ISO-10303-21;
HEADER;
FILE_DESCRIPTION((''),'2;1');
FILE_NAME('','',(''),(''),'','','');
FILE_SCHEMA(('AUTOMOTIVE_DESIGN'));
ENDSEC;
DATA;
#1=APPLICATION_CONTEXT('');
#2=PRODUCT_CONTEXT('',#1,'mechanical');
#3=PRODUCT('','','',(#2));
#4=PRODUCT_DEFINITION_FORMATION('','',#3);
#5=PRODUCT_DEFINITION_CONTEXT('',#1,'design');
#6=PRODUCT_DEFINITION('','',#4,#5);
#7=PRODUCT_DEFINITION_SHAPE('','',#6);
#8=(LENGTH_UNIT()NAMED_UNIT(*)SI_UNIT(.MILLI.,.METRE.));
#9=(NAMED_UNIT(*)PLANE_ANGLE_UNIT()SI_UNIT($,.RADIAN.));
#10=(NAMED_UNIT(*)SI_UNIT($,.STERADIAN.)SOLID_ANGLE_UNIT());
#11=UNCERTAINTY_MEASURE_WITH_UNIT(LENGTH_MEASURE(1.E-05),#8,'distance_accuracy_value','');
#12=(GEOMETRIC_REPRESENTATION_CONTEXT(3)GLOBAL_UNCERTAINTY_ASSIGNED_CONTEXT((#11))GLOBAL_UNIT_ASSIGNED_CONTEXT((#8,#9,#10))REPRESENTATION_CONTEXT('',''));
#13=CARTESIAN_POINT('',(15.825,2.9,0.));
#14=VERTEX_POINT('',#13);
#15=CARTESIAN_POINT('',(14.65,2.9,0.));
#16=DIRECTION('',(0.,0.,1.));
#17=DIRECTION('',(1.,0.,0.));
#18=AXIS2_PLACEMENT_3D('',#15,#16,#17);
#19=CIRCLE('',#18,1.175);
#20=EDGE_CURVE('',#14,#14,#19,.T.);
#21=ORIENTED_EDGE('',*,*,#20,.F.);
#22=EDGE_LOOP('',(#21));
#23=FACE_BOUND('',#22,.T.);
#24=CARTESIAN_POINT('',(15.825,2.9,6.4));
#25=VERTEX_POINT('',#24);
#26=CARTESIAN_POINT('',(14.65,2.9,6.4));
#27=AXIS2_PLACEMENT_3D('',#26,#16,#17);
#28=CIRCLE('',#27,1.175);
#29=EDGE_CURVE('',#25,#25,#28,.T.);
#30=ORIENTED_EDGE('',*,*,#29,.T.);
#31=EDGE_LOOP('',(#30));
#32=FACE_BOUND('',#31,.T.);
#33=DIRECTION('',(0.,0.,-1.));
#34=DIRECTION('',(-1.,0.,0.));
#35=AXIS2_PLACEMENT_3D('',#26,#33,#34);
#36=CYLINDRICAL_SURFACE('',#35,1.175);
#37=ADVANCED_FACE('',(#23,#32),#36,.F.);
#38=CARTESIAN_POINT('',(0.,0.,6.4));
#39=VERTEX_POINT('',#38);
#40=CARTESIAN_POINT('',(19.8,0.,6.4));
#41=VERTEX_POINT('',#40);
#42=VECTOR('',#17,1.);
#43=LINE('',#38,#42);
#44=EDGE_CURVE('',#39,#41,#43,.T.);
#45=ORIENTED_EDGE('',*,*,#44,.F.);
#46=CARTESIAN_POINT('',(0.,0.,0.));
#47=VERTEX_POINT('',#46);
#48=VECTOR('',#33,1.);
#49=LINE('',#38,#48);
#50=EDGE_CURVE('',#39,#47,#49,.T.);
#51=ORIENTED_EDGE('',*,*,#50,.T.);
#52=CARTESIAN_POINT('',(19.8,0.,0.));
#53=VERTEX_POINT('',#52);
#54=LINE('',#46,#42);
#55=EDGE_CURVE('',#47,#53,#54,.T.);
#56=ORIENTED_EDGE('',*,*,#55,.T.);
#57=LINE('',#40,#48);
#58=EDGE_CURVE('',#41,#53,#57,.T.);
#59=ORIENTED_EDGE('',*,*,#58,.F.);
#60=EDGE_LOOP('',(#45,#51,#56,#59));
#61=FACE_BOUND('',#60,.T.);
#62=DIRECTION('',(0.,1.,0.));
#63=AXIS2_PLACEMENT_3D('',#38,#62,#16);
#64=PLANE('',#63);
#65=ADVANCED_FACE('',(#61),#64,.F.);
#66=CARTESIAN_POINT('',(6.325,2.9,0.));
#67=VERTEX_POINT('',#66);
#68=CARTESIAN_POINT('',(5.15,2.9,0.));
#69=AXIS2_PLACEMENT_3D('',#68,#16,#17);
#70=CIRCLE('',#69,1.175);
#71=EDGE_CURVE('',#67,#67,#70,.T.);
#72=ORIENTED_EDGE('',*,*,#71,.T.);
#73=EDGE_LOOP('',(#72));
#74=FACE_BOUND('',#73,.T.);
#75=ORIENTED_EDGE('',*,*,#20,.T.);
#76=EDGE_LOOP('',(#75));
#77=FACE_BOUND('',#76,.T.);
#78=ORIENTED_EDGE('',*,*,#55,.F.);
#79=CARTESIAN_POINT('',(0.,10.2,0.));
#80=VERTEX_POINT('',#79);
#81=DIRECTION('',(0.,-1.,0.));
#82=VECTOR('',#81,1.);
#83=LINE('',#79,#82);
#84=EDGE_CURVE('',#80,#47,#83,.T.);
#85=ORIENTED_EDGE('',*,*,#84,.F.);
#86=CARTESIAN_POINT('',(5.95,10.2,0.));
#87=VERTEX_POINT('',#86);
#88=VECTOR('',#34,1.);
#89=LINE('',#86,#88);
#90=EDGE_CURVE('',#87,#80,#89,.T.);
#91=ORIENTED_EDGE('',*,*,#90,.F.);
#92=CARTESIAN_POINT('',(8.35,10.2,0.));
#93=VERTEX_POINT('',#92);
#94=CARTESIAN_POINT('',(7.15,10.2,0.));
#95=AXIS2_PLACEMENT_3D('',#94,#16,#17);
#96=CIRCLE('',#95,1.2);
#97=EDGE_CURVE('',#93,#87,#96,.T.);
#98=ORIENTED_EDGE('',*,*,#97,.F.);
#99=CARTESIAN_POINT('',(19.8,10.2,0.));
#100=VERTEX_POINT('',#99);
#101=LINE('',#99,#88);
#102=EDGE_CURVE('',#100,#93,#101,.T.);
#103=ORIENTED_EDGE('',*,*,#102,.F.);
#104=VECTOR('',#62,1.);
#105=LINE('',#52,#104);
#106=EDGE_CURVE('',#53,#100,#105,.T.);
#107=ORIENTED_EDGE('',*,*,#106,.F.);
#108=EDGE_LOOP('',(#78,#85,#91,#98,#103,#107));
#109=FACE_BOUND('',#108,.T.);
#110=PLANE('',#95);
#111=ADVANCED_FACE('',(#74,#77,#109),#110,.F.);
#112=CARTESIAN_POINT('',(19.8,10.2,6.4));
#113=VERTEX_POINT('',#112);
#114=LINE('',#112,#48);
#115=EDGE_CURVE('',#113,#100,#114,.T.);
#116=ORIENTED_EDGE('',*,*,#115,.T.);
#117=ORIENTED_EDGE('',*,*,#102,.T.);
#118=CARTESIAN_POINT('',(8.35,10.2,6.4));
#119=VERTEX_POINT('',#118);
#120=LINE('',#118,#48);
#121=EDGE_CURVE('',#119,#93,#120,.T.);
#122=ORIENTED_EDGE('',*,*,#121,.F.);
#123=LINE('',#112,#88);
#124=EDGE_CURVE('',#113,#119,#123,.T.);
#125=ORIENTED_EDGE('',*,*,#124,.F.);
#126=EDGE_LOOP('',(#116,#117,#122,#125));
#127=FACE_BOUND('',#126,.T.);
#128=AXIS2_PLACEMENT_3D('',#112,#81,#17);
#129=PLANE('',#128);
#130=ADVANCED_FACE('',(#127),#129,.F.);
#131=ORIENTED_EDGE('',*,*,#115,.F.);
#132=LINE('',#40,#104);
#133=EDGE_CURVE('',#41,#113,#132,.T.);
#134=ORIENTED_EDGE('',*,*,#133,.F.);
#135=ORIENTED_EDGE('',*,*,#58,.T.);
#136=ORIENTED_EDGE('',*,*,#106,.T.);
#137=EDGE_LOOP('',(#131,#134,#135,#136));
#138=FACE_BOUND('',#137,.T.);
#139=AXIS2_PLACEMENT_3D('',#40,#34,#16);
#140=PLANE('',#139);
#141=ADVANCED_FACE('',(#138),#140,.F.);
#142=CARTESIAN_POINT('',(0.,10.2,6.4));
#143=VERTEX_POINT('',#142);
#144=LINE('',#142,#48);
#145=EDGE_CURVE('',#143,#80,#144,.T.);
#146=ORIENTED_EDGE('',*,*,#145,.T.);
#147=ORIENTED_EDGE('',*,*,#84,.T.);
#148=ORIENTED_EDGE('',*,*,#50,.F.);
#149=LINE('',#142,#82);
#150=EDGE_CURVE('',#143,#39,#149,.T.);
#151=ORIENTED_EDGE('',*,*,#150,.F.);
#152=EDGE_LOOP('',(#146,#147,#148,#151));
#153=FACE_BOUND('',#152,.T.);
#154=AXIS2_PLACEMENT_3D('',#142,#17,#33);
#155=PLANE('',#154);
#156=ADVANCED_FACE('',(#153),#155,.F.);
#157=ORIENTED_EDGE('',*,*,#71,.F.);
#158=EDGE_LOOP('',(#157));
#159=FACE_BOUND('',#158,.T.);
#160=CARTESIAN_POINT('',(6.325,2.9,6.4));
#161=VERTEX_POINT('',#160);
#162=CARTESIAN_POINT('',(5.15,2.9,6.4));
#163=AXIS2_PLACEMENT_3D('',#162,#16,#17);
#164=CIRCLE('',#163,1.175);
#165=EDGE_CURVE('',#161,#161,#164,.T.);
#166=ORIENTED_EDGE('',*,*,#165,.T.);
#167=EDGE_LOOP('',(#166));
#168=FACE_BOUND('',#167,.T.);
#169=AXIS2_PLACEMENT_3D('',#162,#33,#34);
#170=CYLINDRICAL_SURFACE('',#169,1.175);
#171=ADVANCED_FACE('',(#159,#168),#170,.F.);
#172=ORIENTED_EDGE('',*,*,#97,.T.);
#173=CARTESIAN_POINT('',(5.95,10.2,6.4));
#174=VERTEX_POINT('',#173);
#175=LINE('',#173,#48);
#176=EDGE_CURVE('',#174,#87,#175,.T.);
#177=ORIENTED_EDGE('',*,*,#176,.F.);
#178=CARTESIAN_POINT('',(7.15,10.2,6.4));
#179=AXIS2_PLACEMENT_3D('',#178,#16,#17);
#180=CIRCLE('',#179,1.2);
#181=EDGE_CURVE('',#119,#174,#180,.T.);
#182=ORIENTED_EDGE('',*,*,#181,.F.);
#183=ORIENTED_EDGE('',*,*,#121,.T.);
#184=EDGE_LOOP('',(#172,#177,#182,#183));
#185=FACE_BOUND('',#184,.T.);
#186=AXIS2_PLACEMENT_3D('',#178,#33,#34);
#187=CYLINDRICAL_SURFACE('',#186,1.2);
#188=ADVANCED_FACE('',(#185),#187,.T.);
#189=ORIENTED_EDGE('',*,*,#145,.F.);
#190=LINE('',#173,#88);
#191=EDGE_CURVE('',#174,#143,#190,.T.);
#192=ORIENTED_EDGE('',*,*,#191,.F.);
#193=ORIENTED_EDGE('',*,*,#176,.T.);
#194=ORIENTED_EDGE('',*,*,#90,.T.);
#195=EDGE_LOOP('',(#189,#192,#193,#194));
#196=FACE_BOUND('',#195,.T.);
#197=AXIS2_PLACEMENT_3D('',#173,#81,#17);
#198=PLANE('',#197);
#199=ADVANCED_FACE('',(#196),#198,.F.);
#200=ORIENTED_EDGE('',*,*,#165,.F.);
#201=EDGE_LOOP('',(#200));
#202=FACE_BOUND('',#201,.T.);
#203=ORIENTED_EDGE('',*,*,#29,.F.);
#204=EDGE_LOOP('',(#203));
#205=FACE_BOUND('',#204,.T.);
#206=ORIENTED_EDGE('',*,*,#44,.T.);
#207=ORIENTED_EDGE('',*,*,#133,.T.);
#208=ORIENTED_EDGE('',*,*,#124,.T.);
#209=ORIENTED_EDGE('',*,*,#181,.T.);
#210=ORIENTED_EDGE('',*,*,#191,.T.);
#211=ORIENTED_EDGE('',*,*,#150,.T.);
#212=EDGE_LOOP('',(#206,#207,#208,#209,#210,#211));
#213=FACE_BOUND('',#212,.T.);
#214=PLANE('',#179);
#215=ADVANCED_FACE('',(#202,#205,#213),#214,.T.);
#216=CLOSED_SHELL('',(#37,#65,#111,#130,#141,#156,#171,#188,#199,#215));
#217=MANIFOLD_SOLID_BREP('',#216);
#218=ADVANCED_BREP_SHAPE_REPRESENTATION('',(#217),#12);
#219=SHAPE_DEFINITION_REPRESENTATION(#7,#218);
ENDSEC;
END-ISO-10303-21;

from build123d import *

# Parameters (mm, degrees)
SKETCH1_R           = 1.175
BOSS_EXTRUDE1_DEPTH = 6.4


with BuildPart() as part:
    # Sketch1 → Boss-Extrude1 (new body)
    with BuildSketch(Plane.XY):
        with BuildLine():
            Line((0, 0), (19.8, 0))
            Line((19.8, 0), (19.8, 10.2))
            Line((19.8, 10.2), (8.35, 10.2))
            ThreePointArc((8.35, 10.2), (7.15, 11.4), (5.95, 10.2))
            Line((5.95, 10.2), (0, 10.2))
            Line((0, 10.2), (0, 0))
        make_face()
        with Locations((14.65, 2.9)):
            Circle(SKETCH1_R, mode=Mode.SUBTRACT)
        with Locations((5.15, 2.9)):
            Circle(SKETCH1_R, mode=Mode.SUBTRACT)
    extrude(amount=BOSS_EXTRUDE1_DEPTH)


solid = part.part
